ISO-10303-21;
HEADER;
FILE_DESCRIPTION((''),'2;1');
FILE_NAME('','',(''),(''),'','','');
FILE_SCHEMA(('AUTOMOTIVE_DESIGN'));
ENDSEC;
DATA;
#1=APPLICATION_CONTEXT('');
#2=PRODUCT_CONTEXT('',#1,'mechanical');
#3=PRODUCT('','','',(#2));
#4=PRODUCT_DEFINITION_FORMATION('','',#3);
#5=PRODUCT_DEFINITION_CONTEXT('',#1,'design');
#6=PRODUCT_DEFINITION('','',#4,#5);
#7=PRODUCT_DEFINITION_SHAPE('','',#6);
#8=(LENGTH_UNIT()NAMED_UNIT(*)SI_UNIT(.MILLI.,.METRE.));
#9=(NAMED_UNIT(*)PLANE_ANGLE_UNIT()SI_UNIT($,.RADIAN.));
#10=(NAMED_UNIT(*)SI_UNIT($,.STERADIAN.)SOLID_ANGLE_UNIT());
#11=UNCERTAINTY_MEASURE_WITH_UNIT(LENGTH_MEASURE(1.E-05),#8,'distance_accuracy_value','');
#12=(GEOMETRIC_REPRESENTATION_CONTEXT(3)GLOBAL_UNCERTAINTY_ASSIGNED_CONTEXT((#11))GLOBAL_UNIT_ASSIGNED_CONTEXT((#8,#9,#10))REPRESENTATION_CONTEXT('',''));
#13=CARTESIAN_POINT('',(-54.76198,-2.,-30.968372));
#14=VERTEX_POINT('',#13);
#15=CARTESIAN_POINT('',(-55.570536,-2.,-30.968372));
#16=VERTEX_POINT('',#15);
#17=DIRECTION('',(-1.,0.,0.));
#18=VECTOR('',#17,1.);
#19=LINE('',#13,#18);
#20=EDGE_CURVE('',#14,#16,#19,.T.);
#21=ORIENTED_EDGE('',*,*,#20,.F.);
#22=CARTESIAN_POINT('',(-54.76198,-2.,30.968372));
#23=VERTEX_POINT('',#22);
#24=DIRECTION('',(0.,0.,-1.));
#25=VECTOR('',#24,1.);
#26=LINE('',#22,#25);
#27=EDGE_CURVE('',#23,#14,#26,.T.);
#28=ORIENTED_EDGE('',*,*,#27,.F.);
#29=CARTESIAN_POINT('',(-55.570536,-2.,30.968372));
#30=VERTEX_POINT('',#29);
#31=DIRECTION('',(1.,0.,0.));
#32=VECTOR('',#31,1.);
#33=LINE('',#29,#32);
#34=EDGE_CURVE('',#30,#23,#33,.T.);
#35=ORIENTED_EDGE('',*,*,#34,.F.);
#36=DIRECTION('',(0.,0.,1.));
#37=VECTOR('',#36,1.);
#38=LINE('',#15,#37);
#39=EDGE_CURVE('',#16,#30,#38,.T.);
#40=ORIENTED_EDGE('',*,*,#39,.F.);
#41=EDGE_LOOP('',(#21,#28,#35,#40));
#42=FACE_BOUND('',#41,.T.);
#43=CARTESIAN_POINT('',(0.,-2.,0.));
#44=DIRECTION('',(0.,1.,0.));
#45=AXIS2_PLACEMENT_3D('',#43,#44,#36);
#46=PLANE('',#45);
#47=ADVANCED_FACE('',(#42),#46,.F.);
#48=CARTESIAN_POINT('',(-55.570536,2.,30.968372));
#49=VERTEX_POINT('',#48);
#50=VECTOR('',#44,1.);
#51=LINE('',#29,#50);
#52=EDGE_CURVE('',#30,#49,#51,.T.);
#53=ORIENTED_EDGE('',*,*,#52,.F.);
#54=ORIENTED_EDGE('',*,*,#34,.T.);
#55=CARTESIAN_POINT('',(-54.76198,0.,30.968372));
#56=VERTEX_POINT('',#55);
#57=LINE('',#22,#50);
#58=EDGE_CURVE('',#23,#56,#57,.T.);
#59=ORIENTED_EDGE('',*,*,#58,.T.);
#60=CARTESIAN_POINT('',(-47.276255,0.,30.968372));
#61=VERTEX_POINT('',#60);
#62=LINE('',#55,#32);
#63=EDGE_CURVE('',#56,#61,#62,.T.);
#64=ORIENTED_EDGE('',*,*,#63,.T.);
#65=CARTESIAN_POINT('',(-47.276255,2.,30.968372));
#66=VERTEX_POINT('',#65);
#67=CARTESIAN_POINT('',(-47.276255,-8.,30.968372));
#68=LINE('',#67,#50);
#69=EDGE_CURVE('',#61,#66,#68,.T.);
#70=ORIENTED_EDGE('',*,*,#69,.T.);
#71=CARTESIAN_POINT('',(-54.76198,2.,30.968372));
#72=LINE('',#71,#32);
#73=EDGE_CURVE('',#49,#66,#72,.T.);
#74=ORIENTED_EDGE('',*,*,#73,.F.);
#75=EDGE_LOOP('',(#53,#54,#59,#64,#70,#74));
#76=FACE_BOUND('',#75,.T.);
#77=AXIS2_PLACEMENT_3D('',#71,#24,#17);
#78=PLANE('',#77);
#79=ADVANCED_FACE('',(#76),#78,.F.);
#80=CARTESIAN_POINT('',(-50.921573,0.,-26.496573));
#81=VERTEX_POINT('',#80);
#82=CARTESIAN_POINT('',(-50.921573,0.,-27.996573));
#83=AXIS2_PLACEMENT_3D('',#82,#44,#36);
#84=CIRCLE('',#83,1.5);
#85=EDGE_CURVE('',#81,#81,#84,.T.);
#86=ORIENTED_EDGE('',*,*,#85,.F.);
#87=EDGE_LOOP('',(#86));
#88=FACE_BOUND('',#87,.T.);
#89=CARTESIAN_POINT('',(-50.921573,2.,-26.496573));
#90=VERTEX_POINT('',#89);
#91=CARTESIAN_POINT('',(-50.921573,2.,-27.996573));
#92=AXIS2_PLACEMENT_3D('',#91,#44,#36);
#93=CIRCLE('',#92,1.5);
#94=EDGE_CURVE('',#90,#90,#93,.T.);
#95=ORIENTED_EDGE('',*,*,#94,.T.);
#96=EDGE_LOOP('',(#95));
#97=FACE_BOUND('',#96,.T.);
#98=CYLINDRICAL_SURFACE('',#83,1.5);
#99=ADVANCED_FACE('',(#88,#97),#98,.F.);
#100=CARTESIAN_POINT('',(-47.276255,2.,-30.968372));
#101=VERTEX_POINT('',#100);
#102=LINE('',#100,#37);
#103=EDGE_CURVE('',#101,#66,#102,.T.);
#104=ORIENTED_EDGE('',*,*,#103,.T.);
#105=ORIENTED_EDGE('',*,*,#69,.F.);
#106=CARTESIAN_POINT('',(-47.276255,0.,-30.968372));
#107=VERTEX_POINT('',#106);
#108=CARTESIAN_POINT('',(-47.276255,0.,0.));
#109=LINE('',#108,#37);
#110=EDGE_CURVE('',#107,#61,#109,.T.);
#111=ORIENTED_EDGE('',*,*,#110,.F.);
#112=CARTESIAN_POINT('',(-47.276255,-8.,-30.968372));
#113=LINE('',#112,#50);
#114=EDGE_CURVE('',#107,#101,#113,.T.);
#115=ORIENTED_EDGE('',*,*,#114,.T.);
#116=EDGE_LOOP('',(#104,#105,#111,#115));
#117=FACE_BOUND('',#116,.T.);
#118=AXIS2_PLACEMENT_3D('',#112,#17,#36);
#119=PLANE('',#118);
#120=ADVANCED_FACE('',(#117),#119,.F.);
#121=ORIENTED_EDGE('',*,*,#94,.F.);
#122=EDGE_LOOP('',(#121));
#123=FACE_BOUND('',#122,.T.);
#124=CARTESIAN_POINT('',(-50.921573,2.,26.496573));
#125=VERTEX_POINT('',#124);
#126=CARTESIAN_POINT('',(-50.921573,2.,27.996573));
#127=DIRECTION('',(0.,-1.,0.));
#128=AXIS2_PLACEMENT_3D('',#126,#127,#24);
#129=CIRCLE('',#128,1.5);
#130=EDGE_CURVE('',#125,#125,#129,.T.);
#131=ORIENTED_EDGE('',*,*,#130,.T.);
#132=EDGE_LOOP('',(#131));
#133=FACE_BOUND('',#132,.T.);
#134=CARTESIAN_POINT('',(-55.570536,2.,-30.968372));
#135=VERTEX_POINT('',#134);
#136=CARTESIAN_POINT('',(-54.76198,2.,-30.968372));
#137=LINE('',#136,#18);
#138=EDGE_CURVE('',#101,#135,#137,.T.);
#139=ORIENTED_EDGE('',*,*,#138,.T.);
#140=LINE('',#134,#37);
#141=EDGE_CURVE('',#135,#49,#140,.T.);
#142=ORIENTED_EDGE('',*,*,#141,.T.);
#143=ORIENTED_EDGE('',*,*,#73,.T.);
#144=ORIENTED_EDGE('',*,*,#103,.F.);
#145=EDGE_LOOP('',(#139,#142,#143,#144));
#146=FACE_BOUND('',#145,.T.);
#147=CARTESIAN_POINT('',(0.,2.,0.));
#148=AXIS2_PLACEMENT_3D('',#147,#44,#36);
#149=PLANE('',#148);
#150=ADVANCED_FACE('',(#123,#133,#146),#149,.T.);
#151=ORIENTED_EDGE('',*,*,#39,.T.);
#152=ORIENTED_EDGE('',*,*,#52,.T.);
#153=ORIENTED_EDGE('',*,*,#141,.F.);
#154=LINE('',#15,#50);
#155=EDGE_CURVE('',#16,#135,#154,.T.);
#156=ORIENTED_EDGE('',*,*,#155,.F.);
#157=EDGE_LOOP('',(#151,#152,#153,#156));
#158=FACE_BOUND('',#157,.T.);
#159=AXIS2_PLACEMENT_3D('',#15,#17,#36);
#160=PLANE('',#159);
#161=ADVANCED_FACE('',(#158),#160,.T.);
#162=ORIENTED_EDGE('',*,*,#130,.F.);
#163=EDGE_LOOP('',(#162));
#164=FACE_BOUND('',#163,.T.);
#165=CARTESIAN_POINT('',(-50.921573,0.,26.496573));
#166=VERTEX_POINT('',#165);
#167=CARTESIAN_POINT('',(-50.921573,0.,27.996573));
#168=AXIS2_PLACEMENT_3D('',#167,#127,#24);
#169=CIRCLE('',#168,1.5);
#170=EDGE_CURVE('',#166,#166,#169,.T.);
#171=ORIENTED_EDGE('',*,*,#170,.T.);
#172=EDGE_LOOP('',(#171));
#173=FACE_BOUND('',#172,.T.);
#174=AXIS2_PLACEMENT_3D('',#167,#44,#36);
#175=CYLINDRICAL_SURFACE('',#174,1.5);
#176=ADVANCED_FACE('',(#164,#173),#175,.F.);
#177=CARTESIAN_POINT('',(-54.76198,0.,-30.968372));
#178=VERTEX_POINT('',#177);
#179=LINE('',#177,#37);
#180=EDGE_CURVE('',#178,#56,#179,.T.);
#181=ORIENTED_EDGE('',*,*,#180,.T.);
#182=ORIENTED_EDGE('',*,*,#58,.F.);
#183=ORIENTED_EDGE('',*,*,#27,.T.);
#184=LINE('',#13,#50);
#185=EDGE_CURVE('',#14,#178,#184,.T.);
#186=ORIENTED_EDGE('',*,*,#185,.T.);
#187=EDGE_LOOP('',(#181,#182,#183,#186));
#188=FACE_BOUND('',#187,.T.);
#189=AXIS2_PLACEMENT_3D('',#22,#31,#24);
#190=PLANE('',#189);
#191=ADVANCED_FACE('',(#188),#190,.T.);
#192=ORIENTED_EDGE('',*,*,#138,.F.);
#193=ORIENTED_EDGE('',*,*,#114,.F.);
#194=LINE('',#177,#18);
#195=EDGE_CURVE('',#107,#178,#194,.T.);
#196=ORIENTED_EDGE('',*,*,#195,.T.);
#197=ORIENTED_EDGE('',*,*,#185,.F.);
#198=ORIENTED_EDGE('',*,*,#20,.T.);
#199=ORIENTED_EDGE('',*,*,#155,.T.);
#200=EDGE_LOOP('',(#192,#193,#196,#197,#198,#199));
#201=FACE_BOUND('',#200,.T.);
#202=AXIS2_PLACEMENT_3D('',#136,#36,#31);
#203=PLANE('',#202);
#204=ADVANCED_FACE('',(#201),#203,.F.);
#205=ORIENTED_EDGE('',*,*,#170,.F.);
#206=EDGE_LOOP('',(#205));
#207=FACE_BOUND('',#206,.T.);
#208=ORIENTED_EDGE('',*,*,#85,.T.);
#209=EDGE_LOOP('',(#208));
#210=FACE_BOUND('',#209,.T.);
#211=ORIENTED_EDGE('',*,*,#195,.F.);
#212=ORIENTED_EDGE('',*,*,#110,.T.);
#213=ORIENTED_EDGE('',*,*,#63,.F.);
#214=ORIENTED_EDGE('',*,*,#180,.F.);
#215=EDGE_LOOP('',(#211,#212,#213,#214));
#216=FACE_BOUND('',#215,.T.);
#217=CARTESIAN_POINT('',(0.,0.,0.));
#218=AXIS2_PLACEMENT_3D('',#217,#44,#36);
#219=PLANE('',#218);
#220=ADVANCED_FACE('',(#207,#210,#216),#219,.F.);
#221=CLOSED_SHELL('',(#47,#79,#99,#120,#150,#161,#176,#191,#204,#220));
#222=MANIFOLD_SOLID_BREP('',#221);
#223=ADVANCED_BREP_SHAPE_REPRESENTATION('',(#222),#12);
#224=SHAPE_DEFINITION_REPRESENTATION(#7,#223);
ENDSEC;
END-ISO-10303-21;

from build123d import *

# Parameters (mm, degrees)
SKETCH1_W               = 108.761980125
SKETCH1_H               = 61.936744186
BOSS_EXTRUDE1_DEPTH     = 2
SKETCH2_R               = 1.5
CUT_EXTRUDE1_DEPTH      = 63.943741049
MIRROR2_COPY_1_SKETCH_R = 1.5
MIRROR2_COPY_1_DEPTH    = 63.943741049
SKETCH3_W               = 94.024869854
SKETCH3_H               = 56.555498618
CUT_EXTRUDE2_DEPTH      = 63.943741049
SKETCH6_W               = 101.2762547
SKETCH6_H               = 61.936744186
CUT_EXTRUDE5_DEPTH      = 10
SKETCH8_W               = 0.808555921
SKETCH8_H               = 61.936744186
BOSS_EXTRUDE2_DEPTH     = 4


with BuildPart() as part:
    # Sketch1 → Boss-Extrude1 (new body)
    with BuildSketch(Plane(origin=(0, 0, 0), x_dir=(1, 0, 0), z_dir=(0, 1, 0))):
        with Locations((-0.380990063, 0)):
            Rectangle(SKETCH1_W, SKETCH1_H)
    extrude(amount=BOSS_EXTRUDE1_DEPTH)

    # Sketch2 → Cut-Extrude1 (cut, through all)
    with BuildSketch(Plane(origin=(0, 2, 0), x_dir=(1, 0, 0), z_dir=(0, 1, 0))):
        with Locations(Location((-50.921572875, 27.996572875, 0), (0, 0, 270))):
            Circle(SKETCH2_R)
    cut_extrude1 = extrude(amount=-CUT_EXTRUDE1_DEPTH, mode=Mode.SUBTRACT)

    # Mirror1: Cut-Extrude1 across plane
    add(cut_extrude1.mirror(Plane.XY), mode=Mode.SUBTRACT)

    # Mirror2: Cut-Extrude1 across plane
    add(cut_extrude1.mirror(Plane.ZY.offset(0.380990062)), mode=Mode.SUBTRACT)

    # Mirror2 copy 1 sketch → Mirror2 copy 1 (cut, through all)
    with BuildSketch(Plane(origin=(-0.761980125, 2, 0), x_dir=(-1, 0, 0), z_dir=(0, 1, 0))):
        with Locations(Location((-50.921572875, 27.996572875, 0), (0, 0, 270))):
            Circle(MIRROR2_COPY_1_SKETCH_R)
    extrude(amount=-MIRROR2_COPY_1_DEPTH, mode=Mode.SUBTRACT)

    # Sketch3 → Cut-Extrude2 (cut, through all)
    with BuildSketch(Plane(origin=(0, 2, 0), x_dir=(1, 0, 0), z_dir=(0, 1, 0))):
        Rectangle(SKETCH3_W, SKETCH3_H)
    extrude(amount=-CUT_EXTRUDE2_DEPTH, mode=Mode.SUBTRACT)

    # Sketch6 → Cut-Extrude5 (cut)
    with BuildSketch(Plane(origin=(0, 2, 0), x_dir=(1, 0, 0), z_dir=(0, 1, 0))):
        with Locations((3.36187265, 0)):
            Rectangle(SKETCH6_W, SKETCH6_H)
    extrude(amount=-CUT_EXTRUDE5_DEPTH, mode=Mode.SUBTRACT)

    # Sketch8 → Boss-Extrude2 (add)
    with BuildSketch(Plane(origin=(0, 2, 0), x_dir=(1, 0, 0), z_dir=(0, 1, 0))):
        with Locations((-55.166258086, 0)):
            Rectangle(SKETCH8_W, SKETCH8_H)
    extrude(amount=-BOSS_EXTRUDE2_DEPTH)


solid = part.part
